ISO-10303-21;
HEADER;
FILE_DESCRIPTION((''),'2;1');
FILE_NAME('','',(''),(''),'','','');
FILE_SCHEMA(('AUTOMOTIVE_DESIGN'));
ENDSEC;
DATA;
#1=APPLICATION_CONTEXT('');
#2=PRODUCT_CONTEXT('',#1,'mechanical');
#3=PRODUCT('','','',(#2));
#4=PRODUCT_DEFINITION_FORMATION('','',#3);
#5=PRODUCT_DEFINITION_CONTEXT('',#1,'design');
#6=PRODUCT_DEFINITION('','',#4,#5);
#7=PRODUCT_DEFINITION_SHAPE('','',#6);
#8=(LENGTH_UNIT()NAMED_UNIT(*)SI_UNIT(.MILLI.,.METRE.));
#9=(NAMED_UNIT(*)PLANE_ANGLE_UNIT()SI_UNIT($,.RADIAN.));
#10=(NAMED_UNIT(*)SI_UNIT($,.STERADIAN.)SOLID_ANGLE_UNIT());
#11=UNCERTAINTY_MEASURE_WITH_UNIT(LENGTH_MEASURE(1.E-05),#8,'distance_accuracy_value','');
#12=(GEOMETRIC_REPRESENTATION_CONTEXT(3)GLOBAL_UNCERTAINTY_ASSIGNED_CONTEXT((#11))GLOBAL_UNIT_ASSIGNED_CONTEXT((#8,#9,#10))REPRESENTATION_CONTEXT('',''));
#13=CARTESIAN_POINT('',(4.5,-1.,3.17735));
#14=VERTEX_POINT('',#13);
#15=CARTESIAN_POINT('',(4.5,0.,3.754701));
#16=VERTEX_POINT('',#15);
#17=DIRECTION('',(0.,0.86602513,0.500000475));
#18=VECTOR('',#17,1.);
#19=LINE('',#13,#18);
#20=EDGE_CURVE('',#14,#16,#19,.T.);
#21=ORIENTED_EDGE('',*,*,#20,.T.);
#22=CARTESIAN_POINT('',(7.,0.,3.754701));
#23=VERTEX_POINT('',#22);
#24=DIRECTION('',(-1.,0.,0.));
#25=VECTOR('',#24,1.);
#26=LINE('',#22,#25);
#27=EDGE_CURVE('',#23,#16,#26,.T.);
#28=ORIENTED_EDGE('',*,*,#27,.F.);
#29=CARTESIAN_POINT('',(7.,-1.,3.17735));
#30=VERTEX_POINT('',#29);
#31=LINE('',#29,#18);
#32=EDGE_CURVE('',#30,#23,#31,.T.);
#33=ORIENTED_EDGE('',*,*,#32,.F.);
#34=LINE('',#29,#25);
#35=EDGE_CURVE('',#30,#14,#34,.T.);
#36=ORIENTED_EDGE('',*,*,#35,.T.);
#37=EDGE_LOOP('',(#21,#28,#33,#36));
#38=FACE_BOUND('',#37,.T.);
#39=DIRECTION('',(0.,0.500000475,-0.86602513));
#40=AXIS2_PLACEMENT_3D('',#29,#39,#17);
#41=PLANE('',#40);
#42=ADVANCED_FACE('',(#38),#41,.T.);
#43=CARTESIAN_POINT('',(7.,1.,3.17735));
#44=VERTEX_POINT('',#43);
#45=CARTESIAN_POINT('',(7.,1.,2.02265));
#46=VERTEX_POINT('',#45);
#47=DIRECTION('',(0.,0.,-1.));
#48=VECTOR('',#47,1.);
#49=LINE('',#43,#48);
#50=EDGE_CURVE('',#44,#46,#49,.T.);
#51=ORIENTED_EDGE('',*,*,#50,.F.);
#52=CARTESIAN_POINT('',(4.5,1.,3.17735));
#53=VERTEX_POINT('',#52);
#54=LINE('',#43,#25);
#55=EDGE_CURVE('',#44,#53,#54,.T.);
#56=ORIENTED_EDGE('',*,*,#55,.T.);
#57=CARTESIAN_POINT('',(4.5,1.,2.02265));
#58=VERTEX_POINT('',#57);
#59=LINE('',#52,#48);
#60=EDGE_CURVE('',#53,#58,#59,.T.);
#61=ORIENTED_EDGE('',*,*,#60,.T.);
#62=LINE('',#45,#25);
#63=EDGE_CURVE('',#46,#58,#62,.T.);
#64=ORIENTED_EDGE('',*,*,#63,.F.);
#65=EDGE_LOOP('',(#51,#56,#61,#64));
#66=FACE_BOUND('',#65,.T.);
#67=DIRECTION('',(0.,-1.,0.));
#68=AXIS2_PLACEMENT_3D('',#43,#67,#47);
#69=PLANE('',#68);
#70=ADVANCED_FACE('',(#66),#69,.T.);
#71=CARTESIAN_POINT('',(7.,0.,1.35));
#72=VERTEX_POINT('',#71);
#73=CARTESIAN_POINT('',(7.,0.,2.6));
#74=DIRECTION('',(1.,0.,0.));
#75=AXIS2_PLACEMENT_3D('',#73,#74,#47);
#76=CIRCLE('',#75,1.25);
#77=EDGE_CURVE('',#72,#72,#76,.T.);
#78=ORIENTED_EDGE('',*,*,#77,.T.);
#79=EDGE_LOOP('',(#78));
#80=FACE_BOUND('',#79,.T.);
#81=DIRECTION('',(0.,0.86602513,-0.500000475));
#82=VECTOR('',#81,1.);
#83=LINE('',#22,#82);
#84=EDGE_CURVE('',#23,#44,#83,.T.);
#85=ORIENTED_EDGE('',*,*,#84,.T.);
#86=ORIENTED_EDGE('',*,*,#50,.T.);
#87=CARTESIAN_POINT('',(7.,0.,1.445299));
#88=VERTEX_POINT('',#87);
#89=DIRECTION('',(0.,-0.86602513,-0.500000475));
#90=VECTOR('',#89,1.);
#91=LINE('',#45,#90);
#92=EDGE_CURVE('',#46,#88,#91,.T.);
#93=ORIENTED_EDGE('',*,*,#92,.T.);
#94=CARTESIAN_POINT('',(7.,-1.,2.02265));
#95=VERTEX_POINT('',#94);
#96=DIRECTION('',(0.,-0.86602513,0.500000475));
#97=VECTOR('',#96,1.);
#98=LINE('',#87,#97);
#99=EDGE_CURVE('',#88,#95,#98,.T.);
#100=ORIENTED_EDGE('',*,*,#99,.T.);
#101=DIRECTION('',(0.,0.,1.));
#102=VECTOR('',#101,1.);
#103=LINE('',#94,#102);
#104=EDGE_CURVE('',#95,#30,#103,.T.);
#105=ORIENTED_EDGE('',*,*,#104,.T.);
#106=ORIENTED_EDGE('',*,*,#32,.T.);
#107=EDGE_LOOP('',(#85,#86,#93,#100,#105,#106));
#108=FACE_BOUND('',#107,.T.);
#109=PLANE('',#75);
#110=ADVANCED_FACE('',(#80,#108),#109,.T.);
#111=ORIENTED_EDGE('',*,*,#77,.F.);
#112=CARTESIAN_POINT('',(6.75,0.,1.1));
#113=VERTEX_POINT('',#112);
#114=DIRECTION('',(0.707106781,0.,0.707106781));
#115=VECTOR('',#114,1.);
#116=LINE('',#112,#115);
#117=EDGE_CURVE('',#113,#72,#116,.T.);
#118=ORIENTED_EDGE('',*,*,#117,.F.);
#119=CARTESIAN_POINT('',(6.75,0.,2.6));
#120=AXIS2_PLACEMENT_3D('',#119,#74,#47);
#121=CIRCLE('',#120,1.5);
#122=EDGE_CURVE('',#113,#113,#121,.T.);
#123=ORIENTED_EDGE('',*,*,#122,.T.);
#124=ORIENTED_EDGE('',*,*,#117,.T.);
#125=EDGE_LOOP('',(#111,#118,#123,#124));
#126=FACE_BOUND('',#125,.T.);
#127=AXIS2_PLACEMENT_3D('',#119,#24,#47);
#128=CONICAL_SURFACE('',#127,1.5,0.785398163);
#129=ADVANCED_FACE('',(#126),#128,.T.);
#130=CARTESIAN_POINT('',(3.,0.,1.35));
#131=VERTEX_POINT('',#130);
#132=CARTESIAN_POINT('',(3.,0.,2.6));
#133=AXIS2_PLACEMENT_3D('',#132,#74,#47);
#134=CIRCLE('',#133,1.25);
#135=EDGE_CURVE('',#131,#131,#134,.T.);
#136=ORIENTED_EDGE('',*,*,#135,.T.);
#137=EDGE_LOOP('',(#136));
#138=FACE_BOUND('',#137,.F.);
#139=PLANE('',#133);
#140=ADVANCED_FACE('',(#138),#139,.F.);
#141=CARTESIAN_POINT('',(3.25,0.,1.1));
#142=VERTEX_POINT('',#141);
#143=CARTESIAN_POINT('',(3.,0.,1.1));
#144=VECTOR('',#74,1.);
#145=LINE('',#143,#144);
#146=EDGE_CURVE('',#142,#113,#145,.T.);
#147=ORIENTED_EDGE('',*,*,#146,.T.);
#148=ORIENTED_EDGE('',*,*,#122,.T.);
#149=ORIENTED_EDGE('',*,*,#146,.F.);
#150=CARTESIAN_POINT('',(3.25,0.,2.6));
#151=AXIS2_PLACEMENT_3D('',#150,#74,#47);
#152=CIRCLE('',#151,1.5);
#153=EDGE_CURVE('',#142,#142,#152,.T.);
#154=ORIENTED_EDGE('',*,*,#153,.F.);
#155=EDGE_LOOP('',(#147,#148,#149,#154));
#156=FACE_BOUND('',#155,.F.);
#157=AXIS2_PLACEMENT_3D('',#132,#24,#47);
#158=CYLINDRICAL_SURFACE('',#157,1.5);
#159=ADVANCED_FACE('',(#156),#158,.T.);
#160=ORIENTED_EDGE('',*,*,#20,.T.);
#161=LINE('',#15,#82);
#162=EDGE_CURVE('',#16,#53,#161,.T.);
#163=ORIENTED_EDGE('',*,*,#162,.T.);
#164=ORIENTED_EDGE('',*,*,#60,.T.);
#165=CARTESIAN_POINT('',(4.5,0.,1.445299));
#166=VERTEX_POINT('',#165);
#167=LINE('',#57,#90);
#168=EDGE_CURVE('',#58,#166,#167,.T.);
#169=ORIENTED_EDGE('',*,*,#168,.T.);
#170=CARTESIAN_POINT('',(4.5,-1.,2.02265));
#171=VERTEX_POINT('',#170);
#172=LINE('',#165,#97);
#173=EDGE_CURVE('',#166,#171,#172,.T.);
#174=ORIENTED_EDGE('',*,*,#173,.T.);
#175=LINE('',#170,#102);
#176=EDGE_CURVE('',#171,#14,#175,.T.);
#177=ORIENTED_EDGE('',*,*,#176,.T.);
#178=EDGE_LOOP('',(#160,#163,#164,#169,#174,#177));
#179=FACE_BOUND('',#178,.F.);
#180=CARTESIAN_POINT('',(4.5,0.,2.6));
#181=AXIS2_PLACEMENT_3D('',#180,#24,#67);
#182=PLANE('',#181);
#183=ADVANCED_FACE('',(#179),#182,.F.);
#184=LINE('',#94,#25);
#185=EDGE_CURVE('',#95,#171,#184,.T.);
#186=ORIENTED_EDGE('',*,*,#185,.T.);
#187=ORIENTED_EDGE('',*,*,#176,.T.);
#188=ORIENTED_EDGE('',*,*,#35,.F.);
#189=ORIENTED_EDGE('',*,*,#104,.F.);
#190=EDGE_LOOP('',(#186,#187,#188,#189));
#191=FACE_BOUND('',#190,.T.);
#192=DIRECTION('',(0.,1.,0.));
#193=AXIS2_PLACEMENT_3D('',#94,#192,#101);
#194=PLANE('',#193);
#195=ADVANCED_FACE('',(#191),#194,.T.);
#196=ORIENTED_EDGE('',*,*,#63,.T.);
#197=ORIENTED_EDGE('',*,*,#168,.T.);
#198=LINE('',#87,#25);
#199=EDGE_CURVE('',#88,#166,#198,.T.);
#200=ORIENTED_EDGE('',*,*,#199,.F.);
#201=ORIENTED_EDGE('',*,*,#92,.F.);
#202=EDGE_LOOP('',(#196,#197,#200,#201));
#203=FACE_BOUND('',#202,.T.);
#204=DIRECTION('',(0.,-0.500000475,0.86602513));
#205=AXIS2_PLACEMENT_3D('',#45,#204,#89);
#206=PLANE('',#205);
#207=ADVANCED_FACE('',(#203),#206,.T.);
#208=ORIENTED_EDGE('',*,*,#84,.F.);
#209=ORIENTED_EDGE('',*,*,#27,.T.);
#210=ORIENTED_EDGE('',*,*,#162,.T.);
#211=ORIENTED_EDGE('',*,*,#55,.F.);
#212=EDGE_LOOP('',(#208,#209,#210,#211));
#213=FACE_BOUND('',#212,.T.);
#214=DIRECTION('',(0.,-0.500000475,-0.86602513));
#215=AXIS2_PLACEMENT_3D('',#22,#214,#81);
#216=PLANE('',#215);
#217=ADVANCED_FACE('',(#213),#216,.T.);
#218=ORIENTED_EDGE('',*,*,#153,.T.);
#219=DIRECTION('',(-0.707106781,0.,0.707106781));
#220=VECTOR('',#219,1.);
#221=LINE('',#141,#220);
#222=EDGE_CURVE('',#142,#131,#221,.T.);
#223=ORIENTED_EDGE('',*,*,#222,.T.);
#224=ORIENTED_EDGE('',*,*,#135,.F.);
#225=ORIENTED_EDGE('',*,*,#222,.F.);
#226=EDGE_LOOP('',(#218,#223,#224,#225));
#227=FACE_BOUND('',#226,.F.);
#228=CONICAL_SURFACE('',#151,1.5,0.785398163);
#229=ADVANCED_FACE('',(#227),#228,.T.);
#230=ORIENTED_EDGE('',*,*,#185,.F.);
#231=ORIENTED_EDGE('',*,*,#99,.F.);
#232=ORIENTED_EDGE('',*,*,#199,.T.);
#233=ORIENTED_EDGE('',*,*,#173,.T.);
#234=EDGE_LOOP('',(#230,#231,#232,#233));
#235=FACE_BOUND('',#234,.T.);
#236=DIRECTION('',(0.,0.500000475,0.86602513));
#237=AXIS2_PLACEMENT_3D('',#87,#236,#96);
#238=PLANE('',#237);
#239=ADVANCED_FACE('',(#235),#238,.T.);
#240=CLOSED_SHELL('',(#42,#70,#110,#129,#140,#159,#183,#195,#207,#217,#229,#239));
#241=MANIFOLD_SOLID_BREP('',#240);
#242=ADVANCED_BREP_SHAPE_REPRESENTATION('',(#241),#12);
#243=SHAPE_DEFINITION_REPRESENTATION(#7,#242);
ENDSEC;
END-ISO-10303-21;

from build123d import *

# Parameters (mm, degrees)
CYLINDER006_R           = 1.5
CYLINDER006_DEPTH       = 4
CYLINDER006_PITCH_ANGLE = 90
CHAMFER002_SIZE         = 0.25
POCKET_DEPTH            = 2.5


with BuildPart() as part:
    # Cylinder006 → Cylinder006 (new body)
    with BuildSketch(Plane.XY):
        Circle(CYLINDER006_R)
    extrude(amount=CYLINDER006_DEPTH)


with BuildPart() as part_1:
    # Cylinder006 pitch: moved
    add(part.part.rotate(Axis((0, 0, 0), (0, 1, 0)), CYLINDER006_PITCH_ANGLE))


with BuildPart() as part_2:
    # Cylinder006 placement: moved
    add(part_1.part.moved(Location((3, 0, 2.6))))

    # Chamfer002
    chamfer002_edges = [part_2.edges().sort_by_distance(p)[0] for p in [
        (7, 0, 4.1),
        (3, 0, 4.1),
    ]]
    chamfer(chamfer002_edges, length=CHAMFER002_SIZE)

    # Sketch (on Face5 of Chamfer002) → Pocket (cut)
    with BuildSketch(Plane.YZ.offset(7)):
        Polygon((-1, 3.17735), (0, 3.754701), (1, 3.17735), (1, 2.02265), (0, 1.445299), (-1, 2.02265), align=None)
    extrude(amount=-POCKET_DEPTH, mode=Mode.SUBTRACT)


solid = part_2.part
